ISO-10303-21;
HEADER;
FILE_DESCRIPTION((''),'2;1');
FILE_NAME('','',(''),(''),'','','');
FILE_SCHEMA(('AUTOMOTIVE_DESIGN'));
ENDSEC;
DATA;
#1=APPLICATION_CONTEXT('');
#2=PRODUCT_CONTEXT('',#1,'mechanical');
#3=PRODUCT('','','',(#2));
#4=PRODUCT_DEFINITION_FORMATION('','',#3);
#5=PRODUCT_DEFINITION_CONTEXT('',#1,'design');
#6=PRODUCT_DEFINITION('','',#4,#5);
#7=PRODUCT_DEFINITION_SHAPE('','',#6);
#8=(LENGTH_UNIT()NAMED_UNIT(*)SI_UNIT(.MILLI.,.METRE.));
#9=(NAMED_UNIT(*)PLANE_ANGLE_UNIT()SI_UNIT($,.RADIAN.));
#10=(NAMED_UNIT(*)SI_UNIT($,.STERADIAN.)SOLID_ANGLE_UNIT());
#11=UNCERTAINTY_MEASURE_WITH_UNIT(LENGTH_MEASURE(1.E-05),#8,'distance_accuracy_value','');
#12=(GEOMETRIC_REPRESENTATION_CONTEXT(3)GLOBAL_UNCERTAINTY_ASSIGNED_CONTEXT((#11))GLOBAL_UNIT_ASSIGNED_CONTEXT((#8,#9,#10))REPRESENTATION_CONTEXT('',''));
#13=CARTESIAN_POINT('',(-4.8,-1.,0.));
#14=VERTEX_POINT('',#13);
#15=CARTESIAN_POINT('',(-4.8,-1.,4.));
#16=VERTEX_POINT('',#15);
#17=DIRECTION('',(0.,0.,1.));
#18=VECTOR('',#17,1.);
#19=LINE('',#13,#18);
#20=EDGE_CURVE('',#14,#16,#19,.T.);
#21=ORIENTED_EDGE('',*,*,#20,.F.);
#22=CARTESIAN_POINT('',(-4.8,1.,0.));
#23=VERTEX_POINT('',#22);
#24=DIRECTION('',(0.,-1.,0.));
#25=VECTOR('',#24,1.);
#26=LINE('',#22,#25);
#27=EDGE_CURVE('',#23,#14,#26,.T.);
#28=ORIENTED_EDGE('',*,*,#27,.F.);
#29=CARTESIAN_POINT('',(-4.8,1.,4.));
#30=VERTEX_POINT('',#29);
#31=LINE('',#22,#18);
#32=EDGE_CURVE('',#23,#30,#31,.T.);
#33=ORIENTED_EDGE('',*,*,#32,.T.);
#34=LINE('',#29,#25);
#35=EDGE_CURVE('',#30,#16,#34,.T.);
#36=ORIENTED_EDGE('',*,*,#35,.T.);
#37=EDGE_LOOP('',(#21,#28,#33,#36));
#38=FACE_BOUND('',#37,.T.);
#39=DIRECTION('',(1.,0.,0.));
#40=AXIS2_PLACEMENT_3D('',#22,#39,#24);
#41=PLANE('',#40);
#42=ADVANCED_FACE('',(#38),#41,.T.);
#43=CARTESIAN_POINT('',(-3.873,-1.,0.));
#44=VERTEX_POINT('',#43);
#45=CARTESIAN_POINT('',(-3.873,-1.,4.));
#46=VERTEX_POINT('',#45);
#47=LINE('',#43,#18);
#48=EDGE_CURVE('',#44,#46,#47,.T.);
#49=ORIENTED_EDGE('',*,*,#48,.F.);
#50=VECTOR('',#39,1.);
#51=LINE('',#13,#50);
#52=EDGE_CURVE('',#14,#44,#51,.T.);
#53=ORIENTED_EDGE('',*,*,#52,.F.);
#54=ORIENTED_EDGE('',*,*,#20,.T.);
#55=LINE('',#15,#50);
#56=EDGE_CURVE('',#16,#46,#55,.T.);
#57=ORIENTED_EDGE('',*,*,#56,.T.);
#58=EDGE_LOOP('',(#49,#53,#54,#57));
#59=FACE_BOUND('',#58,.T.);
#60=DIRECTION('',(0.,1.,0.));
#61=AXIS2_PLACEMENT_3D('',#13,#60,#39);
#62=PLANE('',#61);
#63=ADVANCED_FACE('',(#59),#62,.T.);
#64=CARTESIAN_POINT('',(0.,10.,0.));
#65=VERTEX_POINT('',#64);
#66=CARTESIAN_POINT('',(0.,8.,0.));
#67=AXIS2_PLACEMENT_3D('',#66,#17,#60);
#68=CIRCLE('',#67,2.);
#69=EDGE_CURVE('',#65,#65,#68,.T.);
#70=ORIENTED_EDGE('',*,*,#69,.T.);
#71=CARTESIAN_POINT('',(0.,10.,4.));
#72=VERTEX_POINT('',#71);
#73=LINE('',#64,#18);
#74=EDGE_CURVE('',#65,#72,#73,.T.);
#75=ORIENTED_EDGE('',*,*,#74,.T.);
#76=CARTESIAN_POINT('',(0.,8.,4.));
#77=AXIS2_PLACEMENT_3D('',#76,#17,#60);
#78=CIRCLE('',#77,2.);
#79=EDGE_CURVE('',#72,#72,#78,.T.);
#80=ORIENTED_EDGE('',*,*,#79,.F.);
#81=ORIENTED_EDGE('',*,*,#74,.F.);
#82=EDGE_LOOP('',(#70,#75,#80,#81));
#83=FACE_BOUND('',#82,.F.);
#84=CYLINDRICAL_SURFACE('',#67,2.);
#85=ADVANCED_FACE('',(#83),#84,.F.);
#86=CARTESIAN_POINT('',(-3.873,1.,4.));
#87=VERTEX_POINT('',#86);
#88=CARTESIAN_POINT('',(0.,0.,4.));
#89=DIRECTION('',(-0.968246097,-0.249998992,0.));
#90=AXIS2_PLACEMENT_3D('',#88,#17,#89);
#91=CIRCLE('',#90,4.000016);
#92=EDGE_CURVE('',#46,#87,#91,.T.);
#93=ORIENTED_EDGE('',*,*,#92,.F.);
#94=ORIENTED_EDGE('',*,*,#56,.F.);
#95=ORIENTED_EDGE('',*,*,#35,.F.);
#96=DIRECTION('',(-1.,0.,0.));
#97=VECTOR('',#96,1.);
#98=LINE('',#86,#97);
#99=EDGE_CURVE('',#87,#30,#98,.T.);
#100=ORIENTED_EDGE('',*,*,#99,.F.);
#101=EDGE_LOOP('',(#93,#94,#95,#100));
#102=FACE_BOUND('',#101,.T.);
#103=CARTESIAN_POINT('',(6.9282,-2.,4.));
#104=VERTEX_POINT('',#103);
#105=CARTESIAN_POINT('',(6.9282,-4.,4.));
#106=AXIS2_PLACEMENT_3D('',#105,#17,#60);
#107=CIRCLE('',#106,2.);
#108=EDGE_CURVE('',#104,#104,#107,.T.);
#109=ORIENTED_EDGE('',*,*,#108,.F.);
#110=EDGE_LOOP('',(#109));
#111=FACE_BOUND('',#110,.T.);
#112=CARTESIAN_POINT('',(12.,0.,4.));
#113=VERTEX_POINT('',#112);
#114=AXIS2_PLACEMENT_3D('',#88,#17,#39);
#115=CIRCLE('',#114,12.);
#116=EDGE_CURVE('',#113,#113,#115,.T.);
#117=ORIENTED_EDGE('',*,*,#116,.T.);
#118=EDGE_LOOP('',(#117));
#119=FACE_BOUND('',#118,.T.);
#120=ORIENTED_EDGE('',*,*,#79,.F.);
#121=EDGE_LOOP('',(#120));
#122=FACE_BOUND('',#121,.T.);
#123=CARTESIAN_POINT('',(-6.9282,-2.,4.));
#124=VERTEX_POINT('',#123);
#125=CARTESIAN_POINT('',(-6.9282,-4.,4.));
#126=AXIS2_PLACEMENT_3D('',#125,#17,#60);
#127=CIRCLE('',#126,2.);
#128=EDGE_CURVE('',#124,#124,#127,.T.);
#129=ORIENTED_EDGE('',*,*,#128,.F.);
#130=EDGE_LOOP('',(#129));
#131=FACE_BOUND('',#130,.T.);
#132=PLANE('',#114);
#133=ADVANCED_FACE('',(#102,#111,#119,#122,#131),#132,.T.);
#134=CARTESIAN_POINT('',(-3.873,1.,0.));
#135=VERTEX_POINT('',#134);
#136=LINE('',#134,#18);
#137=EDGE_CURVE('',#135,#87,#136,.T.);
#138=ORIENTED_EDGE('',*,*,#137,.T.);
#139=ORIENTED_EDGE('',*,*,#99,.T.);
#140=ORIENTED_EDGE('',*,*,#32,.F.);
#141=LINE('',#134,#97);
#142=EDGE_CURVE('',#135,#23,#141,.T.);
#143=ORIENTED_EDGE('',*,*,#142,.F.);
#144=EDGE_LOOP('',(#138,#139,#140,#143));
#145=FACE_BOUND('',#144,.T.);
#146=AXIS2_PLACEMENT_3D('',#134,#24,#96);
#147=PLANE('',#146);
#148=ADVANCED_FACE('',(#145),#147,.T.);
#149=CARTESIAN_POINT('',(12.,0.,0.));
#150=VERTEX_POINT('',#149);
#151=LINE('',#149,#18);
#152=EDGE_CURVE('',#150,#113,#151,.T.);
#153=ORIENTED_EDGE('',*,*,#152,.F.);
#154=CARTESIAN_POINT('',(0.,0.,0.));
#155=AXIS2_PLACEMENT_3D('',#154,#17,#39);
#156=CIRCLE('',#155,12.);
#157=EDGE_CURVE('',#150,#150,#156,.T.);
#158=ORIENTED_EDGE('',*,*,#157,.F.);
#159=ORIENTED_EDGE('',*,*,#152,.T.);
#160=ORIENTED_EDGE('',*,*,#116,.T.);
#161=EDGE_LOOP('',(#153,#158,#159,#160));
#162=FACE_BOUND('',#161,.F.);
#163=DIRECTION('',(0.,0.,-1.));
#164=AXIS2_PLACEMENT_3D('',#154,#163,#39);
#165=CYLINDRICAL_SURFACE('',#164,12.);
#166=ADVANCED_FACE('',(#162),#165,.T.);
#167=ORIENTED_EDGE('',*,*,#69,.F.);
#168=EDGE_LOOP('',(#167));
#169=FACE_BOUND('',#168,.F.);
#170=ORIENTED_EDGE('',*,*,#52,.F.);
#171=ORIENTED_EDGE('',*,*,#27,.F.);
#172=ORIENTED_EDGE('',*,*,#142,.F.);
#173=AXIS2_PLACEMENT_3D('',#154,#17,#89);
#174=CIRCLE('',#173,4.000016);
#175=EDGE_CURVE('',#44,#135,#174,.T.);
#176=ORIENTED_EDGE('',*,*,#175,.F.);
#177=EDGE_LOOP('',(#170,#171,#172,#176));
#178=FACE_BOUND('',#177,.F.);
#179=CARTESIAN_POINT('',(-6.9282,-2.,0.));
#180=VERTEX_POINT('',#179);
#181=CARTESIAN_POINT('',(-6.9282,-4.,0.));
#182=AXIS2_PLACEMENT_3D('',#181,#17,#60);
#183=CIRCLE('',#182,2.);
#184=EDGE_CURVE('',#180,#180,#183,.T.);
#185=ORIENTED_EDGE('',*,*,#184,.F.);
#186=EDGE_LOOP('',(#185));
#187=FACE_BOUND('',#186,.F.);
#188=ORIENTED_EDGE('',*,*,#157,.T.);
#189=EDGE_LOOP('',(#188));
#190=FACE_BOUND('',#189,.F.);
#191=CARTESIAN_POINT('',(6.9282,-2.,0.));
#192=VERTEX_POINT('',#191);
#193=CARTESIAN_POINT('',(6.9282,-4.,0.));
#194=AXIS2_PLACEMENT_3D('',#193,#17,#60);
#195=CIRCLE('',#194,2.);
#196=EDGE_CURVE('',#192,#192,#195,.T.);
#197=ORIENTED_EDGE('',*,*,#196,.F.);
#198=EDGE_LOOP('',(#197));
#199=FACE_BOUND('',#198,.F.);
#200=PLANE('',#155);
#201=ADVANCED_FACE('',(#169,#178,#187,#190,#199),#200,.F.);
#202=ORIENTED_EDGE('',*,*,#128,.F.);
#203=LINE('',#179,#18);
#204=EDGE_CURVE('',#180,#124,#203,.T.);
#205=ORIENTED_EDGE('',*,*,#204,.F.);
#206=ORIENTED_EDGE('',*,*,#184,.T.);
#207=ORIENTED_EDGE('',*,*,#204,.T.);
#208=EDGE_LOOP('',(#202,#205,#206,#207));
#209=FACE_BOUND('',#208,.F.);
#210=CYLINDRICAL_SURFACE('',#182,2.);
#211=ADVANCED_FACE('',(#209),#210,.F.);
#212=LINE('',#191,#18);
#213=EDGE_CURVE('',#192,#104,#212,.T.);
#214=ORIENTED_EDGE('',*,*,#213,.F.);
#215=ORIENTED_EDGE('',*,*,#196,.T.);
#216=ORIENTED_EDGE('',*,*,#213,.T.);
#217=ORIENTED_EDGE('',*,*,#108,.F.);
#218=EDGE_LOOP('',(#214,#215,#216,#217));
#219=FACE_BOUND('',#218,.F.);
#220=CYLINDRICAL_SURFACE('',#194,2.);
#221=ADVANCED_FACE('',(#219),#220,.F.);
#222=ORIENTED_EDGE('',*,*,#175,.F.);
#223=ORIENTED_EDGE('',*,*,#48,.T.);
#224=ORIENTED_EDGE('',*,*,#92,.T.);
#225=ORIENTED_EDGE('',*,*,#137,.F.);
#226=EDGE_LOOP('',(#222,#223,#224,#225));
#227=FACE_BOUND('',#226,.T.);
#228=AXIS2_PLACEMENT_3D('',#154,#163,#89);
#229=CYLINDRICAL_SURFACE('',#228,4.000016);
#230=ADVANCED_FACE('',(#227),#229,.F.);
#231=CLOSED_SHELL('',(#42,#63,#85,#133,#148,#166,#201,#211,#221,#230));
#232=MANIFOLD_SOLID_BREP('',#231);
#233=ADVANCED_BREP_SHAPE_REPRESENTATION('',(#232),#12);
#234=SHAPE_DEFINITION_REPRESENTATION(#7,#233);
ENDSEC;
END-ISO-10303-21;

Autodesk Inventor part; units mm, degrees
ref_plane "YZ Plane" through (0, 0, 0) normal (1, 0, 0) x (0, 1, 0)
ref_plane "XZ Plane" through (0, 0, 0) normal (0, 1, 0) x (-1, 0, 0)
ref_plane "Work Plane1" through (0, 0, 0) normal (0, 0, 1) x (1, 0, 0)
sketch "Sketch1" plane through (0, 0, 0) normal (0, 0, 1) x (1, 0, 0)
  circle A0 centre (0, 0) radius 12 projected
  circle A1 centre (-6.9282, -4) radius 2 projected
  circle A2 centre (6.9282, -4) radius 2 projected
  circle A3 centre (0, 8) radius 2 projected
  line L0 (-4.8, 1) -> (-4.8, -1) projected
  line L1 (-3.873, 1) -> (-4.8, 1) projected
  arc A4 (-3.873, -1) -> (-3.873, 1) centre (0, 0) ccw projected
  line L2 (-4.8, -1) -> (-3.873, -1) projected
  point P0 (0, 0)
extrude "Extrusion1" add sketch "Sketch1" along normal blind 4 contours A0 | A1 | A2 | A3
sketch "Sketch2" plane through (0, 0, 0) normal (0, 0, -1) x (-1, 0, 0)
  point P0 (0, 0)
  point P1 (-6.9282, -4)
  point P2 (0, 8)
  point P3 (6.9282, -4)
hole "Hole1" at (6.9282, -4, 0) at (0, 8, 0) at (-6.9282, -4, 0) direction (0, 0, 1) diameter 4 end through all clearance for "Countersunk Flat Head Screw ISO 2009/7046" size "M4" standard "ISO"
properties part number "spiebaanplaat 2 mm" material "Aluminum 6061"
